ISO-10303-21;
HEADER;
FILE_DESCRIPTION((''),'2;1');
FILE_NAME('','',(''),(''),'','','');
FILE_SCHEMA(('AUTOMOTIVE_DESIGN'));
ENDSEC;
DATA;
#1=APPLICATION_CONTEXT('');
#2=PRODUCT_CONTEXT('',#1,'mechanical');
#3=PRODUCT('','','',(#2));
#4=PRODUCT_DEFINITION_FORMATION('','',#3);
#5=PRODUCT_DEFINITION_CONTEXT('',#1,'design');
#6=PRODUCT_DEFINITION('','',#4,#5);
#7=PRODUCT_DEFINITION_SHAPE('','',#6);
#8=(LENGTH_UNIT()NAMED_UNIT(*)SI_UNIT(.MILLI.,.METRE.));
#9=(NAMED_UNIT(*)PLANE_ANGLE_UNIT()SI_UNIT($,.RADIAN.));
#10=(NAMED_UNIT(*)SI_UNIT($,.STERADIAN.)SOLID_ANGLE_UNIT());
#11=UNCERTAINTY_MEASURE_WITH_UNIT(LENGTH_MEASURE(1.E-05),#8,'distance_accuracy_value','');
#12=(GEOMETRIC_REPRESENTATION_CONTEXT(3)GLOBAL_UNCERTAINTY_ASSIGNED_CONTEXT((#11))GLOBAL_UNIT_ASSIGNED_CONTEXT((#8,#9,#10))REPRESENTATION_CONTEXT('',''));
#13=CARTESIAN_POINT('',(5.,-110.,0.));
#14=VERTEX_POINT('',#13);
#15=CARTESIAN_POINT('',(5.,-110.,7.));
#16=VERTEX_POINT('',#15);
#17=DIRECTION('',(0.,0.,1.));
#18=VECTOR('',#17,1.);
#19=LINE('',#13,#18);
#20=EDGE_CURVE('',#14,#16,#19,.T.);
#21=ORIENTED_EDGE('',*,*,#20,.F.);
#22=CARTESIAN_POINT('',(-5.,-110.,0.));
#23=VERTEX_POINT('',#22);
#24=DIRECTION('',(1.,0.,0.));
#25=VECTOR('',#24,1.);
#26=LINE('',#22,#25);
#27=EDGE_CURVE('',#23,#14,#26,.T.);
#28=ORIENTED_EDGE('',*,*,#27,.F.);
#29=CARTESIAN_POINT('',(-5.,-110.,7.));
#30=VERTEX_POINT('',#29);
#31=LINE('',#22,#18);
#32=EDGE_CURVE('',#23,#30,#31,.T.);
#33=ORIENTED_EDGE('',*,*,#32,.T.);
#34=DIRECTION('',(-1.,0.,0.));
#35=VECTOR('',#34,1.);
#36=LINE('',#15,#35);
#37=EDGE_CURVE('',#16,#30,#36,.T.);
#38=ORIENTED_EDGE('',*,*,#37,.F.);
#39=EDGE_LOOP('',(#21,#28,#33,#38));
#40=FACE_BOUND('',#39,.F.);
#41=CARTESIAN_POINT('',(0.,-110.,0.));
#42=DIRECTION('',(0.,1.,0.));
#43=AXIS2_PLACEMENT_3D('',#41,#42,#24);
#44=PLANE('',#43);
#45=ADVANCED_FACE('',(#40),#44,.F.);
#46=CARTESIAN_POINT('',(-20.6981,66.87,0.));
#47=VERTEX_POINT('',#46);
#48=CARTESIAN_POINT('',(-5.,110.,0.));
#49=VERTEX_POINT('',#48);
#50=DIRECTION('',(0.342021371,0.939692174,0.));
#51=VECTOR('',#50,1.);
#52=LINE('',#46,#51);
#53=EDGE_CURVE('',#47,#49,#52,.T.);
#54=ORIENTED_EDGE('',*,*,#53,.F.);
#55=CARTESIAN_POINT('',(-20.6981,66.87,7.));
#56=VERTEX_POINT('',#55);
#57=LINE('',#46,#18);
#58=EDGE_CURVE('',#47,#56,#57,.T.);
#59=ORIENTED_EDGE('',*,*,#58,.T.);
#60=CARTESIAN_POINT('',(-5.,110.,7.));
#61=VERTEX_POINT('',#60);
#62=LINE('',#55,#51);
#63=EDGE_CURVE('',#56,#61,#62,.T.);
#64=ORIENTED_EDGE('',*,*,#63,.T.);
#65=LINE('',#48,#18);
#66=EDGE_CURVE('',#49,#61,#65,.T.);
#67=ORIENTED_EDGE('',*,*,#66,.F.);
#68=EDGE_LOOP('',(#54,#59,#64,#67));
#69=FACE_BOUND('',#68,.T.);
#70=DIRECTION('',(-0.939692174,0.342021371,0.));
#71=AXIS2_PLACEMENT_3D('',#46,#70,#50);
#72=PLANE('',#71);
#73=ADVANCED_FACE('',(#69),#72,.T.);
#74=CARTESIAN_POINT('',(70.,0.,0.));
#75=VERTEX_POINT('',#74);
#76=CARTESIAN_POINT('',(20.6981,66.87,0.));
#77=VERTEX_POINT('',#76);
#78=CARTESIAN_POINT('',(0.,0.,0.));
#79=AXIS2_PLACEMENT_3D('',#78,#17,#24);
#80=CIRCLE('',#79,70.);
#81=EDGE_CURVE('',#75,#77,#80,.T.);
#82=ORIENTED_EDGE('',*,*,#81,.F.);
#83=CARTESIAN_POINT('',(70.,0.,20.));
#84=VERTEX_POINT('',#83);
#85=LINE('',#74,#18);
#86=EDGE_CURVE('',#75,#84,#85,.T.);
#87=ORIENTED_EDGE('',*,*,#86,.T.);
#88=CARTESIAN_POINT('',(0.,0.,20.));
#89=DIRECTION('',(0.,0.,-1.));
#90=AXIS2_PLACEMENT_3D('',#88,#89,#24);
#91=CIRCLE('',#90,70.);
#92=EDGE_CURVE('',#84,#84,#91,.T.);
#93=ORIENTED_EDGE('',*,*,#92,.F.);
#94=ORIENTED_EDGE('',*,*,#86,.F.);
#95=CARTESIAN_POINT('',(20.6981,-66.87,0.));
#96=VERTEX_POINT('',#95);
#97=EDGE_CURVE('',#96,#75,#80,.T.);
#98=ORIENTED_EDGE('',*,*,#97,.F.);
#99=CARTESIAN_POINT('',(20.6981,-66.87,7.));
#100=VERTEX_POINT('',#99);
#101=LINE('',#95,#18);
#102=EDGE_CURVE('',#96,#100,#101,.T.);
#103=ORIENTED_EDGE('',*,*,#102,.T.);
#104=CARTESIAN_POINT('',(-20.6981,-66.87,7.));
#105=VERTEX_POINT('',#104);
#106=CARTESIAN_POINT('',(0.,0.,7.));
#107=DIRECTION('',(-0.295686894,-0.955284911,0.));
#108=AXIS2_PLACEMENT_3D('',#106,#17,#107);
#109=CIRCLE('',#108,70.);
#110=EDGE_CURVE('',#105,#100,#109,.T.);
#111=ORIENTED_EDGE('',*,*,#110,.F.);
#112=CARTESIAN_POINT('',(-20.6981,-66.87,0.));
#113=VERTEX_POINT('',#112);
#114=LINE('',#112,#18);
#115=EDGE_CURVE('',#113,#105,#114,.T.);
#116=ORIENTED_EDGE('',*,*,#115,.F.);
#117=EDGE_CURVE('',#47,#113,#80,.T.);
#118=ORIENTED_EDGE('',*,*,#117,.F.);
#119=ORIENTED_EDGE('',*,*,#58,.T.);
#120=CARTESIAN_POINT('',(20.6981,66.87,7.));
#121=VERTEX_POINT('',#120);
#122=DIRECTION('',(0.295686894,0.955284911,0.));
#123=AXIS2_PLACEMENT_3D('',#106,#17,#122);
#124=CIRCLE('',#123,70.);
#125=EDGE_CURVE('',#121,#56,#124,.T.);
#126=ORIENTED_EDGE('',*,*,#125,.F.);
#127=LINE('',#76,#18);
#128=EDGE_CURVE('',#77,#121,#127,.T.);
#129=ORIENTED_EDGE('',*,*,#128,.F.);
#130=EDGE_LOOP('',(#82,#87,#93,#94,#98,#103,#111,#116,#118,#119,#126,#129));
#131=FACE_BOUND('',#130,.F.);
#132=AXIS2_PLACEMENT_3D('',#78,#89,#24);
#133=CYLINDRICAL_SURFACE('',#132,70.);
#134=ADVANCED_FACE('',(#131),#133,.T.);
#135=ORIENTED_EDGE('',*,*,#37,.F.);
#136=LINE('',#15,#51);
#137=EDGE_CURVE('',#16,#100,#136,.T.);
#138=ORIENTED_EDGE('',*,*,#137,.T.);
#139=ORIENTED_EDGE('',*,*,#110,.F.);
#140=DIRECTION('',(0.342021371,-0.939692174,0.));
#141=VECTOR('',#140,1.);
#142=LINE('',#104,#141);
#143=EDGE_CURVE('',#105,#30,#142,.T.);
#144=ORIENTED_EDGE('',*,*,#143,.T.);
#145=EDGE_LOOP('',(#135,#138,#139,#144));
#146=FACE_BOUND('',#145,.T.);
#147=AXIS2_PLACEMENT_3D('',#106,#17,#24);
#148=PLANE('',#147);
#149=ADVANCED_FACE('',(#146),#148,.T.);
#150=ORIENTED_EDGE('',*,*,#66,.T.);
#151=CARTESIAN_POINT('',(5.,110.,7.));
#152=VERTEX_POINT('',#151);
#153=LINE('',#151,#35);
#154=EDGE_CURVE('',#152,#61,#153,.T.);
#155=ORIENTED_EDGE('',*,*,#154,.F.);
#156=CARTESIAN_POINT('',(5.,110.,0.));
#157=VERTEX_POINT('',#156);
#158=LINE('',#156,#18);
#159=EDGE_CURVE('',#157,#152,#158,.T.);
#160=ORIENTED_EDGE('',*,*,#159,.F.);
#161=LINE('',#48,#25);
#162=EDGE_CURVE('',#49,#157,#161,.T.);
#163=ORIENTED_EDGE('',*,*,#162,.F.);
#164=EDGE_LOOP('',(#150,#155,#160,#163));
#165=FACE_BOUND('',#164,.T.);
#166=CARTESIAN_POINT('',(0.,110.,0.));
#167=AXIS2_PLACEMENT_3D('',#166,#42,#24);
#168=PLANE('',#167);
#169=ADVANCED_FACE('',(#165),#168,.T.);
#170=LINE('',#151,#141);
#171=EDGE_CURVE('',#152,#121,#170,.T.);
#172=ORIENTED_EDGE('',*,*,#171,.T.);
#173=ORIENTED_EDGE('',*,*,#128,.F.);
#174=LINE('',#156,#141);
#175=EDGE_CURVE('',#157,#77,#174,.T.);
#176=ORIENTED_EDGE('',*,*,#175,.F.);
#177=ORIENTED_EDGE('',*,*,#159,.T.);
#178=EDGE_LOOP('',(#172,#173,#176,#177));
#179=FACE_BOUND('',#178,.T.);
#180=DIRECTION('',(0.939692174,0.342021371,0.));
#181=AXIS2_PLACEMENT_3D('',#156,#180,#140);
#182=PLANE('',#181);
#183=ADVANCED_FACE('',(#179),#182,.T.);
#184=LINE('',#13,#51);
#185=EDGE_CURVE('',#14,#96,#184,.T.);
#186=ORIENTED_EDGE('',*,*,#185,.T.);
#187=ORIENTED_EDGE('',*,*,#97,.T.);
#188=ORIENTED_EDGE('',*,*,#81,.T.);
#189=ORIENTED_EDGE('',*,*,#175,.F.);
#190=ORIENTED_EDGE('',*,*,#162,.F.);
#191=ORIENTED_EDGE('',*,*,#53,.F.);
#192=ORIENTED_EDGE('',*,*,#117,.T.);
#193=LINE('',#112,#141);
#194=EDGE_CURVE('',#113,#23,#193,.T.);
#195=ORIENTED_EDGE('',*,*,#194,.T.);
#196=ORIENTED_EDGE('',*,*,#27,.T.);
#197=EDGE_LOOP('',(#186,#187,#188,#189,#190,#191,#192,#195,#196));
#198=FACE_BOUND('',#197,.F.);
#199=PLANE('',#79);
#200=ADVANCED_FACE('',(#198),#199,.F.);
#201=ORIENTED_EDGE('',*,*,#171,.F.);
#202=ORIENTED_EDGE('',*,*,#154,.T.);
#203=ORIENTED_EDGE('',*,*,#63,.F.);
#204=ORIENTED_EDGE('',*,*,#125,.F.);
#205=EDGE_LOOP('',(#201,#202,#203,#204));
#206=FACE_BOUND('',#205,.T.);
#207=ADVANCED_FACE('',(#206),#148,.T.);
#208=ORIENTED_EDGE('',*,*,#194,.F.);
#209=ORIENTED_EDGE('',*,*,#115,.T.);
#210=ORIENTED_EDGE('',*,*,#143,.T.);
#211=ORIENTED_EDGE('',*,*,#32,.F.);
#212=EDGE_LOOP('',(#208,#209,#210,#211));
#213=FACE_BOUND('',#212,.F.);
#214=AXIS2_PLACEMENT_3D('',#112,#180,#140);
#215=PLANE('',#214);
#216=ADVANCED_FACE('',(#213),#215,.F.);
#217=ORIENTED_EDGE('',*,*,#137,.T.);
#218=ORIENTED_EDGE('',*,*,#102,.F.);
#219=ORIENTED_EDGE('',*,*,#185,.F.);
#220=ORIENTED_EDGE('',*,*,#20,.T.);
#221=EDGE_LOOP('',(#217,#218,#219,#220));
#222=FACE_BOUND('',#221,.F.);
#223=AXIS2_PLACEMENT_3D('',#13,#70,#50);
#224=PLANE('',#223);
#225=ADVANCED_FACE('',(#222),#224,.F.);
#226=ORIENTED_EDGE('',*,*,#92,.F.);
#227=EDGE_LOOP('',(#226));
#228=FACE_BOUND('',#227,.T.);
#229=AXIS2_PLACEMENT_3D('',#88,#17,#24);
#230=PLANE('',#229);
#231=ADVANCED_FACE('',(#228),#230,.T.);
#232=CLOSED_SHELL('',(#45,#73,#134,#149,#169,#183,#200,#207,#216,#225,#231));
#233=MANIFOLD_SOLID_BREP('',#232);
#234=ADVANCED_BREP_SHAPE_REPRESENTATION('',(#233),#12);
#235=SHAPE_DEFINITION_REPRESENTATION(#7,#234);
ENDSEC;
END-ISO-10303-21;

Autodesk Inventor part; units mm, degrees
ref_plane "YZ Plane" through (0, 0, 0) normal (1, 0, 0) x (0, 1, 0)
ref_plane "XZ Plane" through (0, 0, 0) normal (0, 1, 0) x (-1, 0, 0)
ref_plane "XY Plane" through (0, 0, 0) normal (0, 0, 1) x (1, 0, 0)
sketch "Skizze2" plane through (0, 0, 0) normal (0, 0, 1) x (1, 0, 0)
  line L0 (-117.4666, 197.4366) -> (107.72, 197.4366) construction
  line L1 (107.72, 197.4366) -> (107.72, -200.7323) construction
  line L2 (107.72, -200.7323) -> (-117.4666, -200.7323) construction
  line L3 (-117.4666, -200.7323) -> (-117.4666, 197.4366) construction
  circle A0 centre (0, 0) radius 70
  line L4 (-20.6981, 66.87) -> (-5, 110)
  line L5 (-5, 110) -> (5, 110)
  line L6 (5, 110) -> (20.6981, 66.87)
  line L7 (-20.6981, -66.87) -> (-5, -110)
  line L8 (-5, -110) -> (5, -110)
  line L9 (5, -110) -> (20.6981, -66.87)
  line L10 (0, 110) -> (0, 0)
  line L11 (0, 0) -> (0, -110)
  dimension "d3" = 110
  dimension "d4" = 110
  dimension "d5" = 110
  dimension "d8" = 140
  dimension "d9" = 110
  dimension "d10" = 110
  dimension "d11" = 110
  dimension "d12" = 10
  dimension "d13" = 10
extrude "Extrusion1" add sketch "Skizze2" along normal blind 20 contours A0 L11 L10 | L10 L11 A0
extrude "Extrusion2" add sketch "Skizze2" along normal blind 7 contours A0 L10 L5 L6 | L9 L8 L11 A0 | A0 L4 L5 L10 | L11 L8 L7 A0
sketch "Skizze3" plane through (0, 0, 20) normal (0, 0, 1) x (1, 0, 0)
  line L0 (-65, 65) -> (65, 65) construction
  line L1 (65, 65) -> (65, -65.4377) construction
  line L2 (65, -65.4377) -> (-65, -65.4377) construction
  line L3 (-65, -65.4377) -> (-65, 65) construction
  point P0 (0, 0)
properties part number "waage" material "PC/ABS-Kunststoff, 3DDruck, PLA"
